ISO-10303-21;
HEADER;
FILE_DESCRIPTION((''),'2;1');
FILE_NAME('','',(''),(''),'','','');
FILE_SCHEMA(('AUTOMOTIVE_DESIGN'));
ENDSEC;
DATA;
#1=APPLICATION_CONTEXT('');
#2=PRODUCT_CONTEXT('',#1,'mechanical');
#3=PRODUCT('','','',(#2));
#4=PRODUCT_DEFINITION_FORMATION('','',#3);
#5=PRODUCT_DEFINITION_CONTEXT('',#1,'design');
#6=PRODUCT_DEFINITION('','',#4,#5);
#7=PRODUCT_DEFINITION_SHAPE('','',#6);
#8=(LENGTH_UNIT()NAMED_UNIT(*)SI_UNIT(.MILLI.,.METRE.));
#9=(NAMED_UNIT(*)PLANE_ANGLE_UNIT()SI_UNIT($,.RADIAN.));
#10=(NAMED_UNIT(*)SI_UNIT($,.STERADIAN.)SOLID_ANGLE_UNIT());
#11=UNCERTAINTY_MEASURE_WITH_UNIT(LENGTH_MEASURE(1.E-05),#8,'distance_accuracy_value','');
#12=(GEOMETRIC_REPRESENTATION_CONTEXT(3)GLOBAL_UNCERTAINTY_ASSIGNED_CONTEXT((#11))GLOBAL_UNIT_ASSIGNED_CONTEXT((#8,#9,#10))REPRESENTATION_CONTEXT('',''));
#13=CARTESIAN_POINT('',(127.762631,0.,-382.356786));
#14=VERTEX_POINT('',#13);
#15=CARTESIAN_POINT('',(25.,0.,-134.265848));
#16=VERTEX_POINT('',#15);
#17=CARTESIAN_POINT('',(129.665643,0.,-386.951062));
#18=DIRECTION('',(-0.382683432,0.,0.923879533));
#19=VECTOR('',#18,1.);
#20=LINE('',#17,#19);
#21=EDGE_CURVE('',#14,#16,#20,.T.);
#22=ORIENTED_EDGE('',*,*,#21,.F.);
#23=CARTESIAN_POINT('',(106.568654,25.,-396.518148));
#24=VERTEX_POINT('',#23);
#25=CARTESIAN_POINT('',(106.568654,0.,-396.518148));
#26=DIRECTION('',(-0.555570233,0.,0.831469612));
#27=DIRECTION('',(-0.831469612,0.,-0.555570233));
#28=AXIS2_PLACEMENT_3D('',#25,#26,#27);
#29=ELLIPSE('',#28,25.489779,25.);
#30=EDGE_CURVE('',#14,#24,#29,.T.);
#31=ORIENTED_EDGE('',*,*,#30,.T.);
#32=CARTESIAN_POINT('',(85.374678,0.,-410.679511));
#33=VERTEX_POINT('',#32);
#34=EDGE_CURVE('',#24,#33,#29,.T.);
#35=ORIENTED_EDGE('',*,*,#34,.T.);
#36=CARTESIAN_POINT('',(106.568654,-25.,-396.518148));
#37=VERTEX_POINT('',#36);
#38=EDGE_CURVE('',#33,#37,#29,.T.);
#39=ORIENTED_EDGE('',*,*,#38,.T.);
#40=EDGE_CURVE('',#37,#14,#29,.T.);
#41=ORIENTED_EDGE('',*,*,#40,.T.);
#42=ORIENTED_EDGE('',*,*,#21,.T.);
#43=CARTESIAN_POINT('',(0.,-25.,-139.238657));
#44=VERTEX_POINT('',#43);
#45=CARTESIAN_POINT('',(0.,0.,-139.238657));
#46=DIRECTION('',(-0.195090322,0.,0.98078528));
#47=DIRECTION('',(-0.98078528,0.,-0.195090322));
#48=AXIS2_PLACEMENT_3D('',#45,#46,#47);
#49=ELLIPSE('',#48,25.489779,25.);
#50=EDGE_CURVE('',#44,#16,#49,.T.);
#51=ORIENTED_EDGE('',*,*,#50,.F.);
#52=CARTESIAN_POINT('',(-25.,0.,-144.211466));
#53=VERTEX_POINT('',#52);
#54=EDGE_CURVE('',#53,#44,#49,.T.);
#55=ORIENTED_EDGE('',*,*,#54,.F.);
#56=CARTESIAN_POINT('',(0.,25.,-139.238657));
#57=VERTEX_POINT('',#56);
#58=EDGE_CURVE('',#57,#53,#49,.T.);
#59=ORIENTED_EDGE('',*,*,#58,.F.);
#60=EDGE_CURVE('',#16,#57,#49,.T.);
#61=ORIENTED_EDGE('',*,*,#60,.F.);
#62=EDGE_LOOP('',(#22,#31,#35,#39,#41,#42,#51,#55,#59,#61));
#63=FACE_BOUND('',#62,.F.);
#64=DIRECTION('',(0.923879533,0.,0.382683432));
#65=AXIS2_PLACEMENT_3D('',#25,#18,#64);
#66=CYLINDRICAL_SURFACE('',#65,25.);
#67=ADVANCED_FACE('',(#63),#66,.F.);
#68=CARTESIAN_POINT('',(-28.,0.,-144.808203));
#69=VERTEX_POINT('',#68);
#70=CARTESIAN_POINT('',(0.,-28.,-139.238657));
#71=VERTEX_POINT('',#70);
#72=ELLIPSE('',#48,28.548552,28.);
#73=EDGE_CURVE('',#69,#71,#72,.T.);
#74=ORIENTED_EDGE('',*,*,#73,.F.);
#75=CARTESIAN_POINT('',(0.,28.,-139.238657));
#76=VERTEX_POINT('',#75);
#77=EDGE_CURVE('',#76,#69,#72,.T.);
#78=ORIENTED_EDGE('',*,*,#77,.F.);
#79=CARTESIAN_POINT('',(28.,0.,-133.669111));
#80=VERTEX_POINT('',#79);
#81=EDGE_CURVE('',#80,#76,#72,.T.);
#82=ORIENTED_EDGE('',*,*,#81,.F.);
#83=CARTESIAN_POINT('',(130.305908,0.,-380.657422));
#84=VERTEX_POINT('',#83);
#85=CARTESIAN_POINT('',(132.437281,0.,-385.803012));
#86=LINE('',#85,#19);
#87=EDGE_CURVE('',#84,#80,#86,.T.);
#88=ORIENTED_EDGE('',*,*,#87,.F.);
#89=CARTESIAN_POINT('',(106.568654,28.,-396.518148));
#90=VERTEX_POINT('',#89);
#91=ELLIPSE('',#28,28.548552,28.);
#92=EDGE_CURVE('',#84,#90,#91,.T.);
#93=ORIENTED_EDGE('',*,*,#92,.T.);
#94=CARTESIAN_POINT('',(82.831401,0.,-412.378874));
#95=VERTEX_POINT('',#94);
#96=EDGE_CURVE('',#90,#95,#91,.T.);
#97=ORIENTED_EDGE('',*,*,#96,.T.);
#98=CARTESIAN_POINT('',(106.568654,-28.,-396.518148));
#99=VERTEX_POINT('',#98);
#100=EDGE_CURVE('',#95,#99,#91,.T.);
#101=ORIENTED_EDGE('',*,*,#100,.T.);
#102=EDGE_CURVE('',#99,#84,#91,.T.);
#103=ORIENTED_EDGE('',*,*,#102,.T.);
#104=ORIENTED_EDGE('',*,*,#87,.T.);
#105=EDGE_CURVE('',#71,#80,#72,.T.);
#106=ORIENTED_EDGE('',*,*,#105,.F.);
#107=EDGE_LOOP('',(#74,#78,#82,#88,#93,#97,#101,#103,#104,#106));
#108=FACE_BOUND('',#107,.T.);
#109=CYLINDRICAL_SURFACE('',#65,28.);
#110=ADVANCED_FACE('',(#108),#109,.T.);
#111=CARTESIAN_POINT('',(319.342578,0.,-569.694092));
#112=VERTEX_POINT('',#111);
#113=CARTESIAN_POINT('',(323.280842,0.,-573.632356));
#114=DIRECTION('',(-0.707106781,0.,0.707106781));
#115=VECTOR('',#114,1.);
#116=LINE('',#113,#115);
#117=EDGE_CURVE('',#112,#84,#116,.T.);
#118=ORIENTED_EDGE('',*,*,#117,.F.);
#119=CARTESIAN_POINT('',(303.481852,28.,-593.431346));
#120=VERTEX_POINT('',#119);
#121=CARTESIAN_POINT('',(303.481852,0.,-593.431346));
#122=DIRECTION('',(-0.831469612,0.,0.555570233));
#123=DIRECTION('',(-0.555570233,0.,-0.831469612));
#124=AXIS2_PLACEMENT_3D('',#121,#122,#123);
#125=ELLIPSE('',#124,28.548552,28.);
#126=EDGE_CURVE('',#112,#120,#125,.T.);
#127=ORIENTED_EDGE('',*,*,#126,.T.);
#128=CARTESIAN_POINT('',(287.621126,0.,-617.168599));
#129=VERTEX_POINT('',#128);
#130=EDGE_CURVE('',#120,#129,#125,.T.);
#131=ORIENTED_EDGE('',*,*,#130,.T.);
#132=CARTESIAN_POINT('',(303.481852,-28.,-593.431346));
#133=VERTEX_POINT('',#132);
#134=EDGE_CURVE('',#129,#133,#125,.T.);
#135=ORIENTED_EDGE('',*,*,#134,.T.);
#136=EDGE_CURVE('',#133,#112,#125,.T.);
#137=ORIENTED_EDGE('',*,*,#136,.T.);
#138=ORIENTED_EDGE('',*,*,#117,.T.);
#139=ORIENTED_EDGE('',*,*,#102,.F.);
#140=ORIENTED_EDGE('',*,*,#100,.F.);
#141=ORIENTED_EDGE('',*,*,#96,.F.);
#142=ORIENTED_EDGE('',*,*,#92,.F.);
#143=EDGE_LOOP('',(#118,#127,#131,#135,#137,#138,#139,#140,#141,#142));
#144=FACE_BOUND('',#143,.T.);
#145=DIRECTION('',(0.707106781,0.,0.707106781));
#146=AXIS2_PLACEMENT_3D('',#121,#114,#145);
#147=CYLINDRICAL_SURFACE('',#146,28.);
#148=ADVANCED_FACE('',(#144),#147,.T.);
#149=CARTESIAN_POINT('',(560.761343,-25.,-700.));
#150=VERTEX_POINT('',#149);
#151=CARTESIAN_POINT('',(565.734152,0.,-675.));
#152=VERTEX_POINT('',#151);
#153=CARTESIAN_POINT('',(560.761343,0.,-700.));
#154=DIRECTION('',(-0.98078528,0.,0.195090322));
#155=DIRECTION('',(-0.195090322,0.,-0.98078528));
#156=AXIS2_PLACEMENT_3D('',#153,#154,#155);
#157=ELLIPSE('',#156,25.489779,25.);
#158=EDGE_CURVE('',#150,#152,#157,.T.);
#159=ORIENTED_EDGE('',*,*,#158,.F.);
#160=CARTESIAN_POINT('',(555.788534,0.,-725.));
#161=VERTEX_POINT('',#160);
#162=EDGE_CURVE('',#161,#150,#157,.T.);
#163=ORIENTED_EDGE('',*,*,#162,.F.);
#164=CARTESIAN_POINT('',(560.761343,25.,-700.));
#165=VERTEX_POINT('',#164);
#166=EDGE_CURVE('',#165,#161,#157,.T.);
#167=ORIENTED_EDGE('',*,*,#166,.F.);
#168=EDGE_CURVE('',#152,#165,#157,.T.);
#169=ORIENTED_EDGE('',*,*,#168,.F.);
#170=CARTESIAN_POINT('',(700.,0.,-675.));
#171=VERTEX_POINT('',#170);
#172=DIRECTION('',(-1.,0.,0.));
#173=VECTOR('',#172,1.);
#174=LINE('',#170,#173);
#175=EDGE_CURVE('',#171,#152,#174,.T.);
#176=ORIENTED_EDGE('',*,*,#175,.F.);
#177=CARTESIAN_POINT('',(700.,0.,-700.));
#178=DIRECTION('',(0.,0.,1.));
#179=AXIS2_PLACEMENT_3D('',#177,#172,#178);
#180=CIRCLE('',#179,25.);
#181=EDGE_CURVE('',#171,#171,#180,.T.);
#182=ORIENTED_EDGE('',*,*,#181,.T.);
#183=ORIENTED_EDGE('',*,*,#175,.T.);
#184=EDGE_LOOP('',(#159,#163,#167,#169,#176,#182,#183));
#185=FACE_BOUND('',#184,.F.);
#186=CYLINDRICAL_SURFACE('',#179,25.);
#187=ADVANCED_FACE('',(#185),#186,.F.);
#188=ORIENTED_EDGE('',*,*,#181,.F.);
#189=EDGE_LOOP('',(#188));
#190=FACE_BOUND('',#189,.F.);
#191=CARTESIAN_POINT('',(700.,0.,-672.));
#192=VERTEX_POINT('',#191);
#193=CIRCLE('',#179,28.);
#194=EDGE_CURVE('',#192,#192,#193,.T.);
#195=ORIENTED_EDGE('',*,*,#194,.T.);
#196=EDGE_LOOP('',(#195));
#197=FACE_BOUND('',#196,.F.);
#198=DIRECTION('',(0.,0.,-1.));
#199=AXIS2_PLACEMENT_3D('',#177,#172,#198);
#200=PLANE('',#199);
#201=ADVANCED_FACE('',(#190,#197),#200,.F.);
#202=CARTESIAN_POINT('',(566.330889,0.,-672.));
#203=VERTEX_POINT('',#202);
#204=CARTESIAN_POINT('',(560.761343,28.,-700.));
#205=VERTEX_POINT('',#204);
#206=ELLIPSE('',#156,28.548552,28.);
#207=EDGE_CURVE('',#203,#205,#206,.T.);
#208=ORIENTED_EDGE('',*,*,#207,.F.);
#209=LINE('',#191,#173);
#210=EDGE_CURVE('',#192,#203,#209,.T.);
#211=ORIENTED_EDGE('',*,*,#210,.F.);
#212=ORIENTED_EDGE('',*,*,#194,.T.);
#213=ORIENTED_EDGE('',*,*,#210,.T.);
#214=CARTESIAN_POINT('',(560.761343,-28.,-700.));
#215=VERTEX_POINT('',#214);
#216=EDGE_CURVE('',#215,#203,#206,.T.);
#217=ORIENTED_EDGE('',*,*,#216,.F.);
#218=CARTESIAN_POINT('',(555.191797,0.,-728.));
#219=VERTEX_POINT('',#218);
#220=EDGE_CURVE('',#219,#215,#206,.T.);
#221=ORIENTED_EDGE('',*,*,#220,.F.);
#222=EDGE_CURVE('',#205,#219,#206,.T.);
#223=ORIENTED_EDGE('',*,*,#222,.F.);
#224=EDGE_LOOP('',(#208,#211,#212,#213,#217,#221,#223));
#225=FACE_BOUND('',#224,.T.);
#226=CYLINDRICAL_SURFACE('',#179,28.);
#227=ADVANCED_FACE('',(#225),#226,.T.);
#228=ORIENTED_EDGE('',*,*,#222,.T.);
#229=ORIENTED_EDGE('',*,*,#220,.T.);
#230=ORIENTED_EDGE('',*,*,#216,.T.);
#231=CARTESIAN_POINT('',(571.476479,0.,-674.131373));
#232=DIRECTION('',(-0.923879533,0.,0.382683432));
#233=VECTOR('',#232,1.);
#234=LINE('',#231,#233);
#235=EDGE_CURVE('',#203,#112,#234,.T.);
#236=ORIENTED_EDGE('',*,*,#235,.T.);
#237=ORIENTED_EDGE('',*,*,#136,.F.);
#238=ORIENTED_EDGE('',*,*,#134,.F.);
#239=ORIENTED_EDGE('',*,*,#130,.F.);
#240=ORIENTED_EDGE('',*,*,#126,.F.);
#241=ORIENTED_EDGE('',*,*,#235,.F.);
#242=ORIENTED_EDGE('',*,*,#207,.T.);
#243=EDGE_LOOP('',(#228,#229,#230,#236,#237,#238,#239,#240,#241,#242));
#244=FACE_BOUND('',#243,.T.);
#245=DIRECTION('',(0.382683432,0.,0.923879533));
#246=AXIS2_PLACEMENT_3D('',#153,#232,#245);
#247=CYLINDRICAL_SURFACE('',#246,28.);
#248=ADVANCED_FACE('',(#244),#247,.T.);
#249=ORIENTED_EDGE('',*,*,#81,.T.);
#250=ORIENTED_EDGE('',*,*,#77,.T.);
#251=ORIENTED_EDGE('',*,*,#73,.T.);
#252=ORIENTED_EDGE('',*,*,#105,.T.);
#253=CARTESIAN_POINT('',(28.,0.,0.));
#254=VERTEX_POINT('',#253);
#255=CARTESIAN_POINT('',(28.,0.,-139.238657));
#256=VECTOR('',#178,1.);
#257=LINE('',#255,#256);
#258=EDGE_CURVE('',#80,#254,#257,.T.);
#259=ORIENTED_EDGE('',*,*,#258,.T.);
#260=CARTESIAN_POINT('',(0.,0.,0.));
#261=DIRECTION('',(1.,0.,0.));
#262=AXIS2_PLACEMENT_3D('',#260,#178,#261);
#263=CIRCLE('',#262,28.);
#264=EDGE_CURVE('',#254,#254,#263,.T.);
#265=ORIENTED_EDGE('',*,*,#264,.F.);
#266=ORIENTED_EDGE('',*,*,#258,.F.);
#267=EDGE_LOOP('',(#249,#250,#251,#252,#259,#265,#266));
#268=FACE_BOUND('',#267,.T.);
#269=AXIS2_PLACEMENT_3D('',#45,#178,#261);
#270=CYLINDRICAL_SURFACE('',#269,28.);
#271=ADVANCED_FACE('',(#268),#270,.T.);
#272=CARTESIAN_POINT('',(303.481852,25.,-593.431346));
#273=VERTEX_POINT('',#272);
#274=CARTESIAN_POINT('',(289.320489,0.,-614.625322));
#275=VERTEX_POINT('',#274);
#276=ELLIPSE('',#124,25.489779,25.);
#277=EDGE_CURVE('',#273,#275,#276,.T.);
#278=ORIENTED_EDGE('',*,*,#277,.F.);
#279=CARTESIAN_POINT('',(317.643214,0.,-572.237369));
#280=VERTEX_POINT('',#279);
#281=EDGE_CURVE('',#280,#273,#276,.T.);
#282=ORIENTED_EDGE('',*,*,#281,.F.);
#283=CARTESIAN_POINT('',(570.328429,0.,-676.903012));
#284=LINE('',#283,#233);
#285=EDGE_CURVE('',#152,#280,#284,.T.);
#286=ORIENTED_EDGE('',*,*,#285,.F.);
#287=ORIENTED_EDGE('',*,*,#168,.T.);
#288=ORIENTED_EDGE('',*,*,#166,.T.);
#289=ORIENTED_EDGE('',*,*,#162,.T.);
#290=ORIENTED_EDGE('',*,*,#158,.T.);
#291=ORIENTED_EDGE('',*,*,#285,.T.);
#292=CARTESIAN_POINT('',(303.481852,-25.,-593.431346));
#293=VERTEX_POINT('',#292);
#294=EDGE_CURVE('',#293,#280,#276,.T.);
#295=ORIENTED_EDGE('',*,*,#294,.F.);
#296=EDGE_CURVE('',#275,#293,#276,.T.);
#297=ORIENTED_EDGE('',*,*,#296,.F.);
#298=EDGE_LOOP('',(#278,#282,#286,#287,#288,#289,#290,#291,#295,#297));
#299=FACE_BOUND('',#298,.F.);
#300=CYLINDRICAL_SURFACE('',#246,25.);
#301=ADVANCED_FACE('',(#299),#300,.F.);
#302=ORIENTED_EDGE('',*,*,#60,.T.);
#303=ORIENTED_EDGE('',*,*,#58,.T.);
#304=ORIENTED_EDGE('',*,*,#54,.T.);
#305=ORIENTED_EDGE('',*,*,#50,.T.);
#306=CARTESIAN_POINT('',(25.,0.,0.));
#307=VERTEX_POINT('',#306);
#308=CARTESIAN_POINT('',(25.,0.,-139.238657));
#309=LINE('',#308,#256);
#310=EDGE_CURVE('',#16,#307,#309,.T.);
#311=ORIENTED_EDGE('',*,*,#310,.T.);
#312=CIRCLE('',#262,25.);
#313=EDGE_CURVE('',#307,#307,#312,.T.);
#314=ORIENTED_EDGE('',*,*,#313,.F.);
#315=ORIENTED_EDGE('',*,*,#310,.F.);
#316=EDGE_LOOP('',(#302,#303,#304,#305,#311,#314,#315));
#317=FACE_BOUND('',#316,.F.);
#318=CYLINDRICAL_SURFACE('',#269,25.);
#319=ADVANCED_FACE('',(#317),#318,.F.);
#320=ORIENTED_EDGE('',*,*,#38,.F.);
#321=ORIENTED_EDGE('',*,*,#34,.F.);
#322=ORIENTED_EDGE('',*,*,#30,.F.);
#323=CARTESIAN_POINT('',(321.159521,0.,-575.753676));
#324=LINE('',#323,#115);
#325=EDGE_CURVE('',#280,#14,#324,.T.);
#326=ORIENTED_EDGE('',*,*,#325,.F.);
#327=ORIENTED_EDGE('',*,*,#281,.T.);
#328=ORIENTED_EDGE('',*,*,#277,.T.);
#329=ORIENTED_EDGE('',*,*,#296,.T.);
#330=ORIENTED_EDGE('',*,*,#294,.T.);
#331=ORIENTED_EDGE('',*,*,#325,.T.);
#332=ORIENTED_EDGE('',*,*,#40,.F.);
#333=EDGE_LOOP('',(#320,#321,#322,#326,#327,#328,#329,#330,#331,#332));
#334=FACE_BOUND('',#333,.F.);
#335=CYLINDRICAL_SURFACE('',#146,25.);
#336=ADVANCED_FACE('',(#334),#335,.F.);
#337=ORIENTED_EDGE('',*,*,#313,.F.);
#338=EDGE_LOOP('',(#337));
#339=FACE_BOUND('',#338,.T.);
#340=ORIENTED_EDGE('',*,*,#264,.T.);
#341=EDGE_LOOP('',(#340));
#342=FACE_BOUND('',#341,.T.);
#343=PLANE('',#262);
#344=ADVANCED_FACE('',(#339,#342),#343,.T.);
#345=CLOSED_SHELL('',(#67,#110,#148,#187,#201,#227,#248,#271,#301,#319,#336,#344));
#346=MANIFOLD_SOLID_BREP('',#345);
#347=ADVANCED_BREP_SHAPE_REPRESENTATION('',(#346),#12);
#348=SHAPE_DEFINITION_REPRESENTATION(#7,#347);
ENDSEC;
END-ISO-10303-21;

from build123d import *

# Parameters (mm, degrees)
F0_R   = 28
F0_R_2 = 25


with BuildPart() as f2:
    # F2: sweep along a path in F1
    with BuildLine(Plane.XZ) as f2_path:
        Line((700, -700), (560.7613428342, -700))
        Line((560.7613428342, -700), (303.4818518546, -593.4313455158))
        Line((303.4818518546, -593.4313455158), (106.5686544842, -396.5181481454))
        Line((106.5686544842, -396.5181481454), (0, -139.2386571658))
        Line((0, -139.2386571658), (0, 0))
    # F0 (on Top) → F2 (sweep)
    with BuildSketch(Plane.XY):
        Circle(F0_R)
        Circle(F0_R_2, mode=Mode.SUBTRACT)
    sweep(path=f2_path.line, transition=Transition.RIGHT)


solid = f2.part
